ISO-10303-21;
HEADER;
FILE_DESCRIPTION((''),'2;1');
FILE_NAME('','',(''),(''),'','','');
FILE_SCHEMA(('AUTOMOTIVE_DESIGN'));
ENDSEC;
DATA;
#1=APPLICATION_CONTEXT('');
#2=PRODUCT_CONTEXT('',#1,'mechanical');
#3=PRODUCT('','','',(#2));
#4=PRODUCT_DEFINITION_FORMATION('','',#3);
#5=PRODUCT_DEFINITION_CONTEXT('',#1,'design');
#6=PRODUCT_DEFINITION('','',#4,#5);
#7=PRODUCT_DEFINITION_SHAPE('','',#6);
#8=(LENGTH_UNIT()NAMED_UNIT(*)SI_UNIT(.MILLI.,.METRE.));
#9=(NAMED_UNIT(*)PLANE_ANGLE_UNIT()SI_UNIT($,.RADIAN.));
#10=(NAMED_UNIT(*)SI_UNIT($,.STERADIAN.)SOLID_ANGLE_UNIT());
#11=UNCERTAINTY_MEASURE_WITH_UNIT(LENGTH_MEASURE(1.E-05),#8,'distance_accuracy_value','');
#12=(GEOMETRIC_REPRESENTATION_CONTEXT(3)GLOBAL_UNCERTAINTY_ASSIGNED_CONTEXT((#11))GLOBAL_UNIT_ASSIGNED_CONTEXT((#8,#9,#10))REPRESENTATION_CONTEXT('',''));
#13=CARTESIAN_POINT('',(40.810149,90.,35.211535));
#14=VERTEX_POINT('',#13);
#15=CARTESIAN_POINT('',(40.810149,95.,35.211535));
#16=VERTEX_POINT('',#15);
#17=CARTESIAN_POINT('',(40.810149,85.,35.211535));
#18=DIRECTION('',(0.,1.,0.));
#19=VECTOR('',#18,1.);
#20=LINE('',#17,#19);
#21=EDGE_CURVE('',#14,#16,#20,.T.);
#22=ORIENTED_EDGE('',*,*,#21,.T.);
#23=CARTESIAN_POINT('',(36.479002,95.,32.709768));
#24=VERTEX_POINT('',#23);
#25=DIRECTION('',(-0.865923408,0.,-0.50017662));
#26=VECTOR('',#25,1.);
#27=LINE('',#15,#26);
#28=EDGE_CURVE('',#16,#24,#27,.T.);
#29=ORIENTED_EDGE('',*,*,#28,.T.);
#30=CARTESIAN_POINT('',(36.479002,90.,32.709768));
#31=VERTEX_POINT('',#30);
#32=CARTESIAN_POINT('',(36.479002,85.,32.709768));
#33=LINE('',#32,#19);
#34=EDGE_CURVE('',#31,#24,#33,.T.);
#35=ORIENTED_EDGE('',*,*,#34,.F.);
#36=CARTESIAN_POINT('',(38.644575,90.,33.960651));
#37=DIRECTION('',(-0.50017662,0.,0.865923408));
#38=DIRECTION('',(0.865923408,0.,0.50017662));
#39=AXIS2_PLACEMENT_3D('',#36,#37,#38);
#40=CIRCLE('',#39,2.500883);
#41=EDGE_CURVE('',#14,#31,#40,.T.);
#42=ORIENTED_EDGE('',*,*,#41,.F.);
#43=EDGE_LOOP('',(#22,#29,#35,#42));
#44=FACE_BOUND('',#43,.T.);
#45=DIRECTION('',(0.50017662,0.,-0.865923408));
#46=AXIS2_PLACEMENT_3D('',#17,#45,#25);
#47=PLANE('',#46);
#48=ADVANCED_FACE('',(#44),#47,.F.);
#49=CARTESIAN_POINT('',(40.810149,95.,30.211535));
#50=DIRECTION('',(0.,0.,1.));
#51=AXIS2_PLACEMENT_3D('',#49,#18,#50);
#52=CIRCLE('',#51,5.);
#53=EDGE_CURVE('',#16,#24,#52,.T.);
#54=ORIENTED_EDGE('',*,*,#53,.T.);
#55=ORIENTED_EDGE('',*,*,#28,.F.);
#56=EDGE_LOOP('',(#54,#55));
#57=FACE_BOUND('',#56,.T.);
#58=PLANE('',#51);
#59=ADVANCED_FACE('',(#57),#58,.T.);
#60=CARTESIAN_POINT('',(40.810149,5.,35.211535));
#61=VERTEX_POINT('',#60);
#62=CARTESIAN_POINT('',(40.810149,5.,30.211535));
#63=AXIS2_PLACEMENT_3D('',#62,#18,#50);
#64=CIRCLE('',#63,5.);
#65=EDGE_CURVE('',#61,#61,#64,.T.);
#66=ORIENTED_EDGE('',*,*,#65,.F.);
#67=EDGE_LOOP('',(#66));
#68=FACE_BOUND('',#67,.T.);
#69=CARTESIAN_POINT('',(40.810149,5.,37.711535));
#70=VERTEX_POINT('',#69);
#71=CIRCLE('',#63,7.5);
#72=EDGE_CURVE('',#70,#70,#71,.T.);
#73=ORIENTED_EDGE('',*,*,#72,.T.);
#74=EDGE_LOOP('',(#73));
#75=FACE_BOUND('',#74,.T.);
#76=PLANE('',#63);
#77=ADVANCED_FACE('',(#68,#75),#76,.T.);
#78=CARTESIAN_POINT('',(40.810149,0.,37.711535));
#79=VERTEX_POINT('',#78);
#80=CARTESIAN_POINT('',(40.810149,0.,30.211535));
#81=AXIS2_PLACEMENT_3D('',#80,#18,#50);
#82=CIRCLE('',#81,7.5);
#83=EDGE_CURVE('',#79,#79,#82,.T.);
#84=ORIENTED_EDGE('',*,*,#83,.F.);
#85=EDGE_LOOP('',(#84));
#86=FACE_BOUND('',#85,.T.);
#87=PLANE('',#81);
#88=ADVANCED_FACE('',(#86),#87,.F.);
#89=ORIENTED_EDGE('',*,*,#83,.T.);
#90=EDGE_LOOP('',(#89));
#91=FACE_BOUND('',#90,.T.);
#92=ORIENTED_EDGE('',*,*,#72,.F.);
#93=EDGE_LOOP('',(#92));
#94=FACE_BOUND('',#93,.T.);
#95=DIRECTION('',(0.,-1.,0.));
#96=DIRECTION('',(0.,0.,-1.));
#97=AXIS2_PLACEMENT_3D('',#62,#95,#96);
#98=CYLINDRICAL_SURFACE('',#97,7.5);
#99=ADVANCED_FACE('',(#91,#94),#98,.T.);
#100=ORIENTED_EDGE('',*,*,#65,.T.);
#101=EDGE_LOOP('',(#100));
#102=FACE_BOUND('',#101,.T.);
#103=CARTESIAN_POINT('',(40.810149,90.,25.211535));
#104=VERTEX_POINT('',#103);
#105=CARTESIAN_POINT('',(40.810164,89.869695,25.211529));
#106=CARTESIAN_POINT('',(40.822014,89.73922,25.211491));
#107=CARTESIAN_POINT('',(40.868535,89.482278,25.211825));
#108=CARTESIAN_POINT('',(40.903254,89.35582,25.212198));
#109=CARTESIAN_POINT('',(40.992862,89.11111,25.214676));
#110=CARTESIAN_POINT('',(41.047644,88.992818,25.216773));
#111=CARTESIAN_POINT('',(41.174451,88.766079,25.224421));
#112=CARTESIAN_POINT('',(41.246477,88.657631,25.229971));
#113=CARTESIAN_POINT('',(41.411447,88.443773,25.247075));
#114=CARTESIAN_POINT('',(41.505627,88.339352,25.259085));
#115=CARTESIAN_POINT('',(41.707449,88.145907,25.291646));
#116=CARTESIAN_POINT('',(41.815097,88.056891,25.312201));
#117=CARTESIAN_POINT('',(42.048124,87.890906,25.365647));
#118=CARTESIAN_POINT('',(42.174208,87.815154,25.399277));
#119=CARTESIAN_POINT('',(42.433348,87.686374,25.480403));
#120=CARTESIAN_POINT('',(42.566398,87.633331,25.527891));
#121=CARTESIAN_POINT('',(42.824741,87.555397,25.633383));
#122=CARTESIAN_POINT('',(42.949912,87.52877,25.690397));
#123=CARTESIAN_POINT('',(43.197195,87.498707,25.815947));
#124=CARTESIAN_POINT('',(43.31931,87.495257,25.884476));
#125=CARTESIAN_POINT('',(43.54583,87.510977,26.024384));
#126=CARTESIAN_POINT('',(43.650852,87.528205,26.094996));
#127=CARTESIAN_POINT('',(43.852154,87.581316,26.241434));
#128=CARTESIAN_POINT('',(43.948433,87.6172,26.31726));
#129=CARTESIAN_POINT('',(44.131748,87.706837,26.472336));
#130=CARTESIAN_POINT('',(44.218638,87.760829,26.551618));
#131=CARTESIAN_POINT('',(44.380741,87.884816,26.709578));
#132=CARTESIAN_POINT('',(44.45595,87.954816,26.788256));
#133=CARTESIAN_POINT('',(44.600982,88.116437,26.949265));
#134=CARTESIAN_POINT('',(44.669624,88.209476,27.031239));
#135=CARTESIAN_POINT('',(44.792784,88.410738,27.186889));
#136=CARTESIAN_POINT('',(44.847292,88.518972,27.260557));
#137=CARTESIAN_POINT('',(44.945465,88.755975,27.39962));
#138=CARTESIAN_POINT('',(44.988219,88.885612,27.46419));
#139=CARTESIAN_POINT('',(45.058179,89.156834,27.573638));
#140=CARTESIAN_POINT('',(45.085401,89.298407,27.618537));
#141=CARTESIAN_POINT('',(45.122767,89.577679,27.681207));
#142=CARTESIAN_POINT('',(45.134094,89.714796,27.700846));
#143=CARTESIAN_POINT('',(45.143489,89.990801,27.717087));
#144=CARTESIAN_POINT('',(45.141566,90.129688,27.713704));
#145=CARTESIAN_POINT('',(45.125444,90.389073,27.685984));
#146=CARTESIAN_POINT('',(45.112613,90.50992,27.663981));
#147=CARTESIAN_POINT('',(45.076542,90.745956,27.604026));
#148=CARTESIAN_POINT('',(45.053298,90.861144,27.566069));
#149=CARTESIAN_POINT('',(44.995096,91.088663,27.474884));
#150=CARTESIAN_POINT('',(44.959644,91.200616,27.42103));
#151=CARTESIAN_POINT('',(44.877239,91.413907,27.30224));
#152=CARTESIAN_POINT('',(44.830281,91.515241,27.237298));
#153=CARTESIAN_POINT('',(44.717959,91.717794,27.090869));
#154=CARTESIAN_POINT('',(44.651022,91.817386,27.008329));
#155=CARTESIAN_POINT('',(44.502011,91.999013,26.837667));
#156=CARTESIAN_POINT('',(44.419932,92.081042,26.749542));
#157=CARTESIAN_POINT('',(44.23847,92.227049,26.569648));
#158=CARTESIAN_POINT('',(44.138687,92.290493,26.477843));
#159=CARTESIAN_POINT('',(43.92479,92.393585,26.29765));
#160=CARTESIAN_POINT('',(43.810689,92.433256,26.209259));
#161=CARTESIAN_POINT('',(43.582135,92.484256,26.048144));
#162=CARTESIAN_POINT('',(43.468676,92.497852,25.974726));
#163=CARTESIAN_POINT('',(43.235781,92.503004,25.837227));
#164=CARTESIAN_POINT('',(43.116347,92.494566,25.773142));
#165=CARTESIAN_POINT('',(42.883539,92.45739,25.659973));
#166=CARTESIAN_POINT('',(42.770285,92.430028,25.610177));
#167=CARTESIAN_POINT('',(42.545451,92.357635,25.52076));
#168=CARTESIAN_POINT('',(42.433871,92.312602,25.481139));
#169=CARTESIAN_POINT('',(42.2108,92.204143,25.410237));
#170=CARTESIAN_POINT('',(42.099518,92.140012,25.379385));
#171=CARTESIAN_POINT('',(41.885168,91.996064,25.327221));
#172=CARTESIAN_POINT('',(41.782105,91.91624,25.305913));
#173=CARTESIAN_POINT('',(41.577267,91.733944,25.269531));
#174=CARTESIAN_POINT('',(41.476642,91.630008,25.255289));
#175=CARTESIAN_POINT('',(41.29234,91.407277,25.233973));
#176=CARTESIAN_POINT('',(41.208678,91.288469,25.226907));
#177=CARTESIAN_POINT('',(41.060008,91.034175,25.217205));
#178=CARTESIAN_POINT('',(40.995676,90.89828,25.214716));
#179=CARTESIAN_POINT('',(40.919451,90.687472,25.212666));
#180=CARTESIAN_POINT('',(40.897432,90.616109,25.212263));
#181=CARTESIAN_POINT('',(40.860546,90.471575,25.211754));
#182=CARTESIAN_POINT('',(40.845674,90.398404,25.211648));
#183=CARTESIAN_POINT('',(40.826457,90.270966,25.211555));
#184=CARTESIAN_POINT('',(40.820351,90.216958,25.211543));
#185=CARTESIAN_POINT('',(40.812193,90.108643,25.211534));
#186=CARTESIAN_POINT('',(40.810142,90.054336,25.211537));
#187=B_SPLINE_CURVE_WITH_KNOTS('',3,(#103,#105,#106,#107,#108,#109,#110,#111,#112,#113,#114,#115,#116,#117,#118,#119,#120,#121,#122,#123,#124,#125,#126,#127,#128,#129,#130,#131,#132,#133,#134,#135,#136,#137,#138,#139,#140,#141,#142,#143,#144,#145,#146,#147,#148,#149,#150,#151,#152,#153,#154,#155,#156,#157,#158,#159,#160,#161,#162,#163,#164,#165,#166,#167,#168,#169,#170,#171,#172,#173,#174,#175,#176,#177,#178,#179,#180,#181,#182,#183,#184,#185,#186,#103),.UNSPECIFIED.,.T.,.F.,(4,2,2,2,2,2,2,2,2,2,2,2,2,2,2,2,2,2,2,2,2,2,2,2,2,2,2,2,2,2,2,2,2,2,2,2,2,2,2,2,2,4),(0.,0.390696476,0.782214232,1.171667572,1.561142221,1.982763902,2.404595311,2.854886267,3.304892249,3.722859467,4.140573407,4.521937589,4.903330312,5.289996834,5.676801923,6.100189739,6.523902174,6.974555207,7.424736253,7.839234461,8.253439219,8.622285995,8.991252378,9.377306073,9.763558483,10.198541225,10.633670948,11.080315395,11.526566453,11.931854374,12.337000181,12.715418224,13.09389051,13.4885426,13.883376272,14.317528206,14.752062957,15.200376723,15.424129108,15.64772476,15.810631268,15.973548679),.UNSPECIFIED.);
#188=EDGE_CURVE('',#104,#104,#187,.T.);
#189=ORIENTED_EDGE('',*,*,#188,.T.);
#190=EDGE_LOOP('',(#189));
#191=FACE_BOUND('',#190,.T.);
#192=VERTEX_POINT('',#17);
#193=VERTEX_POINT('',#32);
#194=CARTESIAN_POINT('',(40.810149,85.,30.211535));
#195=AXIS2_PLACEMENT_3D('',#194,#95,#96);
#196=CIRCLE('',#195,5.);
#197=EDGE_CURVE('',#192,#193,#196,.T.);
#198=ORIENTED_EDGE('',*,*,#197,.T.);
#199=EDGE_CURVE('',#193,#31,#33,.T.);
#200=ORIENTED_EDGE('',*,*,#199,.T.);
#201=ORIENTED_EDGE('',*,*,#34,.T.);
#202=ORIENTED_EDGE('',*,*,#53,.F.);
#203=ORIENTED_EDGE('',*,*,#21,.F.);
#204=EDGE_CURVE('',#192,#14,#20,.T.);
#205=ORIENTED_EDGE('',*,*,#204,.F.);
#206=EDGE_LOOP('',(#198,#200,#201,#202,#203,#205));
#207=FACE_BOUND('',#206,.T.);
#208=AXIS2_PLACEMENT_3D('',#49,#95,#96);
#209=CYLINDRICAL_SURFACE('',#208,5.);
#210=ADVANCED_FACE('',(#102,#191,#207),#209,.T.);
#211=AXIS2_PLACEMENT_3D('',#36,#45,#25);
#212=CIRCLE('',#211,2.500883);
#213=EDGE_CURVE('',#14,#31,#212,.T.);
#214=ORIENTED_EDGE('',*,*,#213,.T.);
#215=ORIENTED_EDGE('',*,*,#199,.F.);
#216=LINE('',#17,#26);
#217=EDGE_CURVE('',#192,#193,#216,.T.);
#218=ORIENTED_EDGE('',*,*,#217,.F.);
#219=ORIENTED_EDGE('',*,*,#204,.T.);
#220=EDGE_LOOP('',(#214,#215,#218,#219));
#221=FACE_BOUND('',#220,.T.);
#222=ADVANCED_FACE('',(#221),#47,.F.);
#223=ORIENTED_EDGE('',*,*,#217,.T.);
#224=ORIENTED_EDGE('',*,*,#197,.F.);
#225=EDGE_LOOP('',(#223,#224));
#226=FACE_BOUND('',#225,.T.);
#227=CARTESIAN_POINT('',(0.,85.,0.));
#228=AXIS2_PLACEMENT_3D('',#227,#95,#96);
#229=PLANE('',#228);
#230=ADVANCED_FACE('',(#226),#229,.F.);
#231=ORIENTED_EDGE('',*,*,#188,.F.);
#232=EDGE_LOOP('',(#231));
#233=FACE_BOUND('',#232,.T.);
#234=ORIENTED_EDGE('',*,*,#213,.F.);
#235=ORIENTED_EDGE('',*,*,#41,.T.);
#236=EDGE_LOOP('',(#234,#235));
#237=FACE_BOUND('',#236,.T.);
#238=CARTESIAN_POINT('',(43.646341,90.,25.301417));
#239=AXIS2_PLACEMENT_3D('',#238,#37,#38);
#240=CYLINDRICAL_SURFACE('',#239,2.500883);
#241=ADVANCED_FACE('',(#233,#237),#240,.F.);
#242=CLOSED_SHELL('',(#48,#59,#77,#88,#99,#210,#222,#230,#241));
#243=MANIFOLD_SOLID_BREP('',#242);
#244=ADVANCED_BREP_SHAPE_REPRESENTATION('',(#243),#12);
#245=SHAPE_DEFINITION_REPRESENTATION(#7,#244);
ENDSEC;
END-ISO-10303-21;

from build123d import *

# Parameters (mm, degrees)
SKETCH_1_R          = 7.5
EXTRUDE_1_DEPTH     = 5
SKETCH_2_R          = 5
EXTRUDE_2_DEPTH     = 90
CUT_EXTRUDE_1_DEPTH = 10
SKETCH_13_R         = 2.500883101
CUT_EXTRUDE_2_DEPTH = 10


with BuildPart() as part:
    # Эскиз1 → Бобышка-Вытянуть1 (new body)
    with BuildSketch(Plane(origin=(0, 0, 0), x_dir=(1, 0, 0), z_dir=(0, 1, 0))):
        with Locations((40.81014851, -30.211534636)):
            Circle(SKETCH_1_R)
    extrude(amount=EXTRUDE_1_DEPTH)

    # Эскиз2 → Бобышка-Вытянуть2 (add)
    with BuildSketch(Plane(origin=(0, 5, 0), x_dir=(1, 0, 0), z_dir=(0, 1, 0))):
        with Locations((40.81014851, -30.211534636)):
            Circle(SKETCH_2_R)
    extrude(amount=EXTRUDE_2_DEPTH)

    # Эскиз12 → Вырез-Вытянуть1 (cut)
    with BuildSketch(Plane(origin=(0, 95, 0), x_dir=(1, 0, 0), z_dir=(0, 1, 0))):
        Polygon((40.81014851, -35.211534636), (36.479002075, -32.709768123), (36.139784444, -33.297033651), (40.47093088, -35.798800164), align=None)
    extrude(amount=-CUT_EXTRUDE_1_DEPTH, mode=Mode.SUBTRACT)

    # Эскиз13 → Вырез-Вытянуть2 (cut)
    with BuildSketch(Plane(origin=(-5.040884978, 0, 8.726957886), x_dir=(0.865923408, 0, 0.50017662), z_dir=(-0.50017662, 0, 0.865923408))):
        with Locations((50.449566166, 90)):
            Circle(SKETCH_13_R)
    extrude(amount=-CUT_EXTRUDE_2_DEPTH, mode=Mode.SUBTRACT)


solid = part.part
